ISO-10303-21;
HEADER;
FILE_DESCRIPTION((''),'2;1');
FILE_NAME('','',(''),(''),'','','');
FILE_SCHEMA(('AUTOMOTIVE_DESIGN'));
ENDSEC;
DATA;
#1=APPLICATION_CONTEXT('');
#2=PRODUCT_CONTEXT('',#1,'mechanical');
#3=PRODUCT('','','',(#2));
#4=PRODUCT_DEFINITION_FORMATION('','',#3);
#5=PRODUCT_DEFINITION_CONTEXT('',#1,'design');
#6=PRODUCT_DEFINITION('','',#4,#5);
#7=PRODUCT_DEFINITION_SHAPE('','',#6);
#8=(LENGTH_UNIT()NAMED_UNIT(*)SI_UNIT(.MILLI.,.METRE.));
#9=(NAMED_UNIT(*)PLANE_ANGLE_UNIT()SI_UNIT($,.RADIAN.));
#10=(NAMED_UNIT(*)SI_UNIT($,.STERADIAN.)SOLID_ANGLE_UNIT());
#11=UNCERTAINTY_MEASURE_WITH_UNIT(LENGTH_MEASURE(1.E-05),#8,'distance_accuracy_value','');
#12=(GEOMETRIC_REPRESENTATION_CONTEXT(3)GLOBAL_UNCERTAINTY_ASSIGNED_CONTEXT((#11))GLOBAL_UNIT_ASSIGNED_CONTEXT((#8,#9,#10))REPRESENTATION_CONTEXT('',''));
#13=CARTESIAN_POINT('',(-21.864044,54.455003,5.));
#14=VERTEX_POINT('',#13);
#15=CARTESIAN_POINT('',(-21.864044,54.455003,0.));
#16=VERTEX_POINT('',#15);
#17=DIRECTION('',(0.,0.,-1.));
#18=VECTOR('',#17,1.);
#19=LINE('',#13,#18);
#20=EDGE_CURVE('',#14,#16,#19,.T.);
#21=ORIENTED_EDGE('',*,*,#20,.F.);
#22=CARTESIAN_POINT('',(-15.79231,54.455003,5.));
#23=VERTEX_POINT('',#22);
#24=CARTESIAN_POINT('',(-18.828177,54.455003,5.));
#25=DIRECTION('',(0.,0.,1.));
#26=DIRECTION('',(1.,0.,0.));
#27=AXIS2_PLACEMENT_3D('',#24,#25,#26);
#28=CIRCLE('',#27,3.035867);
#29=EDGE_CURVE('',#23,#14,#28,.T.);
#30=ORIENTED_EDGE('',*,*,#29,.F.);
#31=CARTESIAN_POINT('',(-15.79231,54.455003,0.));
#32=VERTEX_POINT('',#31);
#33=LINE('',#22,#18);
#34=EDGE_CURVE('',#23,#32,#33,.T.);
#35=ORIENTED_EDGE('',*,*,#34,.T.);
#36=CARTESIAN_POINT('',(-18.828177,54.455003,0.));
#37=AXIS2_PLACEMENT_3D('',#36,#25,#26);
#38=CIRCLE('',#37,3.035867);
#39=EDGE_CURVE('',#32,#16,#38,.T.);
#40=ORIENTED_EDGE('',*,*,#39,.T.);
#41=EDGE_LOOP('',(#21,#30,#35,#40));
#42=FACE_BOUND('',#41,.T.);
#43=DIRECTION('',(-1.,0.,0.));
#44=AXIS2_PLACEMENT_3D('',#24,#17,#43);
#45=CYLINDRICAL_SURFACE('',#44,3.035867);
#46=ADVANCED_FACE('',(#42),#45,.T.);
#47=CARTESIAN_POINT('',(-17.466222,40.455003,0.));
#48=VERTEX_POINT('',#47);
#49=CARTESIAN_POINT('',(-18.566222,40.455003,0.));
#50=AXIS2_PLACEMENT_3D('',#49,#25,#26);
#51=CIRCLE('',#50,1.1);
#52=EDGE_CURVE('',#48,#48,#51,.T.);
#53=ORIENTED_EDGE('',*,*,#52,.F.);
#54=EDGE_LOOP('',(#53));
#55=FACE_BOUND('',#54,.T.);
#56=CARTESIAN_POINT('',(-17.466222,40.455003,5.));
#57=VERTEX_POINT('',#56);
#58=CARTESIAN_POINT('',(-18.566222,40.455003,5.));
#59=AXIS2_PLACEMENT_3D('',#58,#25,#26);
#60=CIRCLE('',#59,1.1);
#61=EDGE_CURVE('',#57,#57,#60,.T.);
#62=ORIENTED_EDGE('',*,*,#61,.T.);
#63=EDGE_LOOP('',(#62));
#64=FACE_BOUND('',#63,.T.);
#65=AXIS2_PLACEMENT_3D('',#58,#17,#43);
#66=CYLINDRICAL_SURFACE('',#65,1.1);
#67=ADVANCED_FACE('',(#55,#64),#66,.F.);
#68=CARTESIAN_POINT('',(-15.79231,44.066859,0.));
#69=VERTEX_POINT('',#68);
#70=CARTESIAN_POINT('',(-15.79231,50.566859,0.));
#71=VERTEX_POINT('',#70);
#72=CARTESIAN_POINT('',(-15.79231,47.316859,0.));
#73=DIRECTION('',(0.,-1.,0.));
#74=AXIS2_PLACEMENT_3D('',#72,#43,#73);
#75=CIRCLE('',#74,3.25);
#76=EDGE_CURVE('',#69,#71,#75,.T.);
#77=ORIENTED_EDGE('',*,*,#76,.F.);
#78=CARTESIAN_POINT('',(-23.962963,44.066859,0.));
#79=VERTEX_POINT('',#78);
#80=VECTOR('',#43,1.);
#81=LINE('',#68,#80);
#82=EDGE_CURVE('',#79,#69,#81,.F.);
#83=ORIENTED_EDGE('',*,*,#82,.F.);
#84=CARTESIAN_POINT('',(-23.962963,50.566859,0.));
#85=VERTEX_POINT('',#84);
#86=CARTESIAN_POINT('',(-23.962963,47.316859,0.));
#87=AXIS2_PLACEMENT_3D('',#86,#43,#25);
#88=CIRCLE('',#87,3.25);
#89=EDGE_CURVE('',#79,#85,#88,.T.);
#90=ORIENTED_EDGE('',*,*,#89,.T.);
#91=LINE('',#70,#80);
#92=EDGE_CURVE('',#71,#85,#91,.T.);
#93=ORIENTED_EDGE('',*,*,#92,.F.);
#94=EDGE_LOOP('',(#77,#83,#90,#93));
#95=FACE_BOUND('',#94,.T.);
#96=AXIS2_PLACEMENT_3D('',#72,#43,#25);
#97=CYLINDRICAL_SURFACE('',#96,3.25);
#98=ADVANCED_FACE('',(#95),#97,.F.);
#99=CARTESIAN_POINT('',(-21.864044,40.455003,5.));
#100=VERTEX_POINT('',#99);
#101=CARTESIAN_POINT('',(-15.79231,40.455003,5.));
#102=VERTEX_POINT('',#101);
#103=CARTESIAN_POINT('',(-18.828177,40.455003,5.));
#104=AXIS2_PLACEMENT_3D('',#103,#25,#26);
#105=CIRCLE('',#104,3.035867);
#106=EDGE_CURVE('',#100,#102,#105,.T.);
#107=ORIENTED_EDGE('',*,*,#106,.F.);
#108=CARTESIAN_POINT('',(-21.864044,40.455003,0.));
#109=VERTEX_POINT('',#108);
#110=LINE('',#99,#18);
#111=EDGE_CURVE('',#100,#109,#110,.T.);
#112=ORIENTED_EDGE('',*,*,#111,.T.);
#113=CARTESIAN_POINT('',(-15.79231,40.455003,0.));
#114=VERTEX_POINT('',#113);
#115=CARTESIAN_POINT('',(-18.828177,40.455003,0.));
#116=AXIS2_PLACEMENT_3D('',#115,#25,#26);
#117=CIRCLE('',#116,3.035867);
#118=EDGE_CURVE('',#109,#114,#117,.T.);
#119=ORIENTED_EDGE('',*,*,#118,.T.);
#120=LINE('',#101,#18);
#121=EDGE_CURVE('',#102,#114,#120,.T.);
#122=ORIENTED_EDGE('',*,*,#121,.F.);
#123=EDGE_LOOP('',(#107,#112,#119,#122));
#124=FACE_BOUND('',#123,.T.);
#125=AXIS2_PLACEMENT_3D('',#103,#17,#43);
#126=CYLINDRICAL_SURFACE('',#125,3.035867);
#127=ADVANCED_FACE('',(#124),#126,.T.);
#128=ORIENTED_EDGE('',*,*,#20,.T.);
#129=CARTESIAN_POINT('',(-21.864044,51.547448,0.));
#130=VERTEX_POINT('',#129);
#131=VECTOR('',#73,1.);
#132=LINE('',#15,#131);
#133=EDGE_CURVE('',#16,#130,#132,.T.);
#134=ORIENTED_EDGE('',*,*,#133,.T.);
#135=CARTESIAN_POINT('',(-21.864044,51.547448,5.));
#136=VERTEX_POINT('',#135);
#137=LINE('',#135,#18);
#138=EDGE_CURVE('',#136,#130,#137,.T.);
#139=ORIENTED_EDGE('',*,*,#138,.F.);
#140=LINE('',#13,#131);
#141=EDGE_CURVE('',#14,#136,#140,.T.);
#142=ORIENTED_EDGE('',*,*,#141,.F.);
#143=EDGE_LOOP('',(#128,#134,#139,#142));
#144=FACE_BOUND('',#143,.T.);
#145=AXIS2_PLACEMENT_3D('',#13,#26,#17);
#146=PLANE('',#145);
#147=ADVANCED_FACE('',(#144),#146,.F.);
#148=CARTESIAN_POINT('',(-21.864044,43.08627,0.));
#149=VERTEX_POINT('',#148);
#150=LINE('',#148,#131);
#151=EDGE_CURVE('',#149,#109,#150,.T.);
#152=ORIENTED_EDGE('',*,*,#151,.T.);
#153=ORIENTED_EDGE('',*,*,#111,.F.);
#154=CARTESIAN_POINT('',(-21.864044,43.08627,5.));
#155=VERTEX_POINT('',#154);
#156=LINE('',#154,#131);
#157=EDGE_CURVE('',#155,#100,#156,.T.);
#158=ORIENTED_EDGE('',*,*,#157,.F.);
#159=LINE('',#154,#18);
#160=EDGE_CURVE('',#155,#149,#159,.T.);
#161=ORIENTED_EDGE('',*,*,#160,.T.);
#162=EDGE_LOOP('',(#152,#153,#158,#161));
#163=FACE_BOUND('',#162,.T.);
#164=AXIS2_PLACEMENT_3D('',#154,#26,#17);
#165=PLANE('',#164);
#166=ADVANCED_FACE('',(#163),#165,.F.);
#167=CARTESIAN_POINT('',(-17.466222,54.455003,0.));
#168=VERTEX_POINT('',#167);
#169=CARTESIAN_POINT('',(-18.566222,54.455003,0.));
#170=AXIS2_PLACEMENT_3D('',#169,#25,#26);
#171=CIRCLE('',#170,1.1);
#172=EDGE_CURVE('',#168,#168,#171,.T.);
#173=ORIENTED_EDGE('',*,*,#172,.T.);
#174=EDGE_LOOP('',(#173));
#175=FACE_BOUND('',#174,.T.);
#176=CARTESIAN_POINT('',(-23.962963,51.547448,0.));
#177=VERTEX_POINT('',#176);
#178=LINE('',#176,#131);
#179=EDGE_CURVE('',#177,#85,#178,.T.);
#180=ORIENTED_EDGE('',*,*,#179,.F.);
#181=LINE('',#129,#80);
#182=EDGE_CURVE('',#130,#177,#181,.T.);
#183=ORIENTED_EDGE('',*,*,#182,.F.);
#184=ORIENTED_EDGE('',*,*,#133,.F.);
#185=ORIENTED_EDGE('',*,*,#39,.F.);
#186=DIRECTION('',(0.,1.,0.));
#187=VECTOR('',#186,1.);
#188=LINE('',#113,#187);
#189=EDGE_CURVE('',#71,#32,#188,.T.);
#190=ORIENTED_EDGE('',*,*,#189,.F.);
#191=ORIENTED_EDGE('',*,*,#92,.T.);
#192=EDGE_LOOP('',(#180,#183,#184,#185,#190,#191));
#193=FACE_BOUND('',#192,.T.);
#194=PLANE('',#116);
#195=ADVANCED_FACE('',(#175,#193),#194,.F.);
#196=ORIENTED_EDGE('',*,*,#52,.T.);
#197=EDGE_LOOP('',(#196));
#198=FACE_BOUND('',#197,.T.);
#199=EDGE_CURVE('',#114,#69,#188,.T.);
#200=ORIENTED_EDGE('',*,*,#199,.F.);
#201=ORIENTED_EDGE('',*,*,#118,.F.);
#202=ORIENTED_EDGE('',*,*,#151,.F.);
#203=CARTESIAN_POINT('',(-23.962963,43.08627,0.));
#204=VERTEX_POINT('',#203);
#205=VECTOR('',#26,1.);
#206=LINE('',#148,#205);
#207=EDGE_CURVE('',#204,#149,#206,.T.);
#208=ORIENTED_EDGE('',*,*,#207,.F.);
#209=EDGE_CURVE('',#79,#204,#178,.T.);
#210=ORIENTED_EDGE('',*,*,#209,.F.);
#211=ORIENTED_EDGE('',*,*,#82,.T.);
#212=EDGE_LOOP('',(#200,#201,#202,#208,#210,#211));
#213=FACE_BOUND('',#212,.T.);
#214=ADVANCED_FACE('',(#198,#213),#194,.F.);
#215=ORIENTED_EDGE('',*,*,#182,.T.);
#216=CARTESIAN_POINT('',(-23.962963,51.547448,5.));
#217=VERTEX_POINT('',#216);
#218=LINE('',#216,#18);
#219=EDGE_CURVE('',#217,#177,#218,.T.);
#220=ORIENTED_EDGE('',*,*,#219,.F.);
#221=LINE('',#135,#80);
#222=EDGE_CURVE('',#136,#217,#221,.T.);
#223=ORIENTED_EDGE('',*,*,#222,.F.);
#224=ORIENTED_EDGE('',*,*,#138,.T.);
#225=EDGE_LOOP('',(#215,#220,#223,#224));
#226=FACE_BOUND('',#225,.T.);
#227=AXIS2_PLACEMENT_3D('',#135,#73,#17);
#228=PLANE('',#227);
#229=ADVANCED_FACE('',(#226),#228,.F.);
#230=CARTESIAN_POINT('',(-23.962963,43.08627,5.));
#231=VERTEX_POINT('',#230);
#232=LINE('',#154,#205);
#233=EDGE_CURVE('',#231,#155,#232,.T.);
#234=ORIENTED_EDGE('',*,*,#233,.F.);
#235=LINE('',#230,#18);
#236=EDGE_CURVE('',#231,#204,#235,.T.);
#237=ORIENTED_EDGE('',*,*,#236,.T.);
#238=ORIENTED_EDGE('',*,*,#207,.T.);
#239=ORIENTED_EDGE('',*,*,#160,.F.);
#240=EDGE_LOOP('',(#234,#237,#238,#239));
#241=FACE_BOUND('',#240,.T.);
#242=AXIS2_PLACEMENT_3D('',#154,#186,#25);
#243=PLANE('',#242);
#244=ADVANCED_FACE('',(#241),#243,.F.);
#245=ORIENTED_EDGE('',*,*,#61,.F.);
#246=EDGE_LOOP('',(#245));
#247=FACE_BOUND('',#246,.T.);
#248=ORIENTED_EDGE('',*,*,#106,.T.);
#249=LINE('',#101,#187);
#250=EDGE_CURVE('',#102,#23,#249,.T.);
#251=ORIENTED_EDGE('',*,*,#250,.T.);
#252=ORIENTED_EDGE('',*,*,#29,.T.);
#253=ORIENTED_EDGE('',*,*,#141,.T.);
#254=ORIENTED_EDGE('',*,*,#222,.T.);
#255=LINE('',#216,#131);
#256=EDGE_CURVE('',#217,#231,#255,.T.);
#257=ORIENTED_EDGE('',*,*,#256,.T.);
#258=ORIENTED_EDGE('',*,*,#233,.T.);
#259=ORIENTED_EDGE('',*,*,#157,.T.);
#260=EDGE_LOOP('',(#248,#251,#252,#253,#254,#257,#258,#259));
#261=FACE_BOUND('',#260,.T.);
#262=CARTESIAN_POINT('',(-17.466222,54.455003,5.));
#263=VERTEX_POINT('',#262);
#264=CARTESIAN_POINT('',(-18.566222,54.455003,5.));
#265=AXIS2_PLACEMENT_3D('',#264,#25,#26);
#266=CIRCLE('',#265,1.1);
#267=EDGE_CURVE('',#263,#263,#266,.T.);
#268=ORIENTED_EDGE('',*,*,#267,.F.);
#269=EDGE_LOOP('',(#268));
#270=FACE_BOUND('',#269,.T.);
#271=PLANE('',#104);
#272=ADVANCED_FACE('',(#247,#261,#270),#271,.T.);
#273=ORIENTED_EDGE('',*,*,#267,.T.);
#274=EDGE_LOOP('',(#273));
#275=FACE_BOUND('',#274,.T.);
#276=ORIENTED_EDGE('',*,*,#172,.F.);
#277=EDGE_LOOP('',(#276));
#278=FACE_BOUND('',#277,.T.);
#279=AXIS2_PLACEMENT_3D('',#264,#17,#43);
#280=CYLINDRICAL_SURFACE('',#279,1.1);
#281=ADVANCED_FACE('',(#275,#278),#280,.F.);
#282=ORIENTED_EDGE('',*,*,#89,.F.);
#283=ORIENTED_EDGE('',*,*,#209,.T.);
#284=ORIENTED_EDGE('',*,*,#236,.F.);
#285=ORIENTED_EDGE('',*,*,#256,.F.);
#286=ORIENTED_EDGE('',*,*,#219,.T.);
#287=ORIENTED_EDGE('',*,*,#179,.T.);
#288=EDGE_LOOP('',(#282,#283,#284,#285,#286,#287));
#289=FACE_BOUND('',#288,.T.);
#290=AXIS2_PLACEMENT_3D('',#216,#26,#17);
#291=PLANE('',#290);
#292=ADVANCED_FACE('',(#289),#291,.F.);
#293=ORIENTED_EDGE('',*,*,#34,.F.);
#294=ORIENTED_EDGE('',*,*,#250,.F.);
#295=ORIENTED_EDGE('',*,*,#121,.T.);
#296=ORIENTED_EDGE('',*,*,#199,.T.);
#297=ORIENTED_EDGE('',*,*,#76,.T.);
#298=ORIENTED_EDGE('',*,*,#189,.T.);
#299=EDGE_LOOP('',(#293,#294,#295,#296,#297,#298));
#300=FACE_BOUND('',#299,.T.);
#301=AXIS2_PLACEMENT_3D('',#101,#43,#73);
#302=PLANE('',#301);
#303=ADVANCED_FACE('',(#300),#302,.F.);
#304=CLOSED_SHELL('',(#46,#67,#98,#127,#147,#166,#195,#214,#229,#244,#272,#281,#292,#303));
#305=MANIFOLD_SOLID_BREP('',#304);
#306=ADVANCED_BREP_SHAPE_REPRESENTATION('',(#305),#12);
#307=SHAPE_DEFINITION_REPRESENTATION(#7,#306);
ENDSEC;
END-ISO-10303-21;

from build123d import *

# Parameters (mm, degrees)
ESQUISSE1_R             = 1.1
EXTRUSION1_DEPTH        = 5
ESQUISSE2_R             = 3.25
ENL_V_MAT_EXTRU_1_DEPTH = 59.283442679


with BuildPart() as part:
    # Esquisse1 → Extrusion1 (new body)
    with BuildSketch(Plane.XY):
        with BuildLine():
            Line((-15.792310365, 40.455003044), (-15.792310365, 54.455003044))
            ThreePointArc((-15.792310365, 54.455003044), (-18.828177284, 57.490869963), (-21.864044203, 54.455003044))
            Line((-21.864044203, 54.455003044), (-21.864044203, 51.547447727))
            Line((-21.864044203, 51.547447727), (-23.962962816, 51.547447727))
            Line((-23.962962816, 51.547447727), (-23.962962816, 43.086270123))
            Line((-23.962962816, 43.086270123), (-21.864044203, 43.086270123))
            Line((-21.864044203, 43.086270123), (-21.864044203, 40.455003044))
            ThreePointArc((-21.864044203, 40.455003044), (-18.828177284, 37.419136124), (-15.792310365, 40.455003044))
        make_face()
        with Locations((-18.566221644, 40.455003043)):
            Circle(ESQUISSE1_R, mode=Mode.SUBTRACT)
        with Locations((-18.566221644, 54.455003043)):
            Circle(ESQUISSE1_R, mode=Mode.SUBTRACT)
    extrude(amount=EXTRUSION1_DEPTH)

    # Esquisse2 → Enlèv. mat.-Extru.1 (cut, through all)
    with BuildSketch(Plane.ZY.offset(23.962962816)):
        with Locations((0, 47.316858925)):
            Circle(ESQUISSE2_R)
    extrude(amount=-ENL_V_MAT_EXTRU_1_DEPTH, mode=Mode.SUBTRACT)


solid = part.part
